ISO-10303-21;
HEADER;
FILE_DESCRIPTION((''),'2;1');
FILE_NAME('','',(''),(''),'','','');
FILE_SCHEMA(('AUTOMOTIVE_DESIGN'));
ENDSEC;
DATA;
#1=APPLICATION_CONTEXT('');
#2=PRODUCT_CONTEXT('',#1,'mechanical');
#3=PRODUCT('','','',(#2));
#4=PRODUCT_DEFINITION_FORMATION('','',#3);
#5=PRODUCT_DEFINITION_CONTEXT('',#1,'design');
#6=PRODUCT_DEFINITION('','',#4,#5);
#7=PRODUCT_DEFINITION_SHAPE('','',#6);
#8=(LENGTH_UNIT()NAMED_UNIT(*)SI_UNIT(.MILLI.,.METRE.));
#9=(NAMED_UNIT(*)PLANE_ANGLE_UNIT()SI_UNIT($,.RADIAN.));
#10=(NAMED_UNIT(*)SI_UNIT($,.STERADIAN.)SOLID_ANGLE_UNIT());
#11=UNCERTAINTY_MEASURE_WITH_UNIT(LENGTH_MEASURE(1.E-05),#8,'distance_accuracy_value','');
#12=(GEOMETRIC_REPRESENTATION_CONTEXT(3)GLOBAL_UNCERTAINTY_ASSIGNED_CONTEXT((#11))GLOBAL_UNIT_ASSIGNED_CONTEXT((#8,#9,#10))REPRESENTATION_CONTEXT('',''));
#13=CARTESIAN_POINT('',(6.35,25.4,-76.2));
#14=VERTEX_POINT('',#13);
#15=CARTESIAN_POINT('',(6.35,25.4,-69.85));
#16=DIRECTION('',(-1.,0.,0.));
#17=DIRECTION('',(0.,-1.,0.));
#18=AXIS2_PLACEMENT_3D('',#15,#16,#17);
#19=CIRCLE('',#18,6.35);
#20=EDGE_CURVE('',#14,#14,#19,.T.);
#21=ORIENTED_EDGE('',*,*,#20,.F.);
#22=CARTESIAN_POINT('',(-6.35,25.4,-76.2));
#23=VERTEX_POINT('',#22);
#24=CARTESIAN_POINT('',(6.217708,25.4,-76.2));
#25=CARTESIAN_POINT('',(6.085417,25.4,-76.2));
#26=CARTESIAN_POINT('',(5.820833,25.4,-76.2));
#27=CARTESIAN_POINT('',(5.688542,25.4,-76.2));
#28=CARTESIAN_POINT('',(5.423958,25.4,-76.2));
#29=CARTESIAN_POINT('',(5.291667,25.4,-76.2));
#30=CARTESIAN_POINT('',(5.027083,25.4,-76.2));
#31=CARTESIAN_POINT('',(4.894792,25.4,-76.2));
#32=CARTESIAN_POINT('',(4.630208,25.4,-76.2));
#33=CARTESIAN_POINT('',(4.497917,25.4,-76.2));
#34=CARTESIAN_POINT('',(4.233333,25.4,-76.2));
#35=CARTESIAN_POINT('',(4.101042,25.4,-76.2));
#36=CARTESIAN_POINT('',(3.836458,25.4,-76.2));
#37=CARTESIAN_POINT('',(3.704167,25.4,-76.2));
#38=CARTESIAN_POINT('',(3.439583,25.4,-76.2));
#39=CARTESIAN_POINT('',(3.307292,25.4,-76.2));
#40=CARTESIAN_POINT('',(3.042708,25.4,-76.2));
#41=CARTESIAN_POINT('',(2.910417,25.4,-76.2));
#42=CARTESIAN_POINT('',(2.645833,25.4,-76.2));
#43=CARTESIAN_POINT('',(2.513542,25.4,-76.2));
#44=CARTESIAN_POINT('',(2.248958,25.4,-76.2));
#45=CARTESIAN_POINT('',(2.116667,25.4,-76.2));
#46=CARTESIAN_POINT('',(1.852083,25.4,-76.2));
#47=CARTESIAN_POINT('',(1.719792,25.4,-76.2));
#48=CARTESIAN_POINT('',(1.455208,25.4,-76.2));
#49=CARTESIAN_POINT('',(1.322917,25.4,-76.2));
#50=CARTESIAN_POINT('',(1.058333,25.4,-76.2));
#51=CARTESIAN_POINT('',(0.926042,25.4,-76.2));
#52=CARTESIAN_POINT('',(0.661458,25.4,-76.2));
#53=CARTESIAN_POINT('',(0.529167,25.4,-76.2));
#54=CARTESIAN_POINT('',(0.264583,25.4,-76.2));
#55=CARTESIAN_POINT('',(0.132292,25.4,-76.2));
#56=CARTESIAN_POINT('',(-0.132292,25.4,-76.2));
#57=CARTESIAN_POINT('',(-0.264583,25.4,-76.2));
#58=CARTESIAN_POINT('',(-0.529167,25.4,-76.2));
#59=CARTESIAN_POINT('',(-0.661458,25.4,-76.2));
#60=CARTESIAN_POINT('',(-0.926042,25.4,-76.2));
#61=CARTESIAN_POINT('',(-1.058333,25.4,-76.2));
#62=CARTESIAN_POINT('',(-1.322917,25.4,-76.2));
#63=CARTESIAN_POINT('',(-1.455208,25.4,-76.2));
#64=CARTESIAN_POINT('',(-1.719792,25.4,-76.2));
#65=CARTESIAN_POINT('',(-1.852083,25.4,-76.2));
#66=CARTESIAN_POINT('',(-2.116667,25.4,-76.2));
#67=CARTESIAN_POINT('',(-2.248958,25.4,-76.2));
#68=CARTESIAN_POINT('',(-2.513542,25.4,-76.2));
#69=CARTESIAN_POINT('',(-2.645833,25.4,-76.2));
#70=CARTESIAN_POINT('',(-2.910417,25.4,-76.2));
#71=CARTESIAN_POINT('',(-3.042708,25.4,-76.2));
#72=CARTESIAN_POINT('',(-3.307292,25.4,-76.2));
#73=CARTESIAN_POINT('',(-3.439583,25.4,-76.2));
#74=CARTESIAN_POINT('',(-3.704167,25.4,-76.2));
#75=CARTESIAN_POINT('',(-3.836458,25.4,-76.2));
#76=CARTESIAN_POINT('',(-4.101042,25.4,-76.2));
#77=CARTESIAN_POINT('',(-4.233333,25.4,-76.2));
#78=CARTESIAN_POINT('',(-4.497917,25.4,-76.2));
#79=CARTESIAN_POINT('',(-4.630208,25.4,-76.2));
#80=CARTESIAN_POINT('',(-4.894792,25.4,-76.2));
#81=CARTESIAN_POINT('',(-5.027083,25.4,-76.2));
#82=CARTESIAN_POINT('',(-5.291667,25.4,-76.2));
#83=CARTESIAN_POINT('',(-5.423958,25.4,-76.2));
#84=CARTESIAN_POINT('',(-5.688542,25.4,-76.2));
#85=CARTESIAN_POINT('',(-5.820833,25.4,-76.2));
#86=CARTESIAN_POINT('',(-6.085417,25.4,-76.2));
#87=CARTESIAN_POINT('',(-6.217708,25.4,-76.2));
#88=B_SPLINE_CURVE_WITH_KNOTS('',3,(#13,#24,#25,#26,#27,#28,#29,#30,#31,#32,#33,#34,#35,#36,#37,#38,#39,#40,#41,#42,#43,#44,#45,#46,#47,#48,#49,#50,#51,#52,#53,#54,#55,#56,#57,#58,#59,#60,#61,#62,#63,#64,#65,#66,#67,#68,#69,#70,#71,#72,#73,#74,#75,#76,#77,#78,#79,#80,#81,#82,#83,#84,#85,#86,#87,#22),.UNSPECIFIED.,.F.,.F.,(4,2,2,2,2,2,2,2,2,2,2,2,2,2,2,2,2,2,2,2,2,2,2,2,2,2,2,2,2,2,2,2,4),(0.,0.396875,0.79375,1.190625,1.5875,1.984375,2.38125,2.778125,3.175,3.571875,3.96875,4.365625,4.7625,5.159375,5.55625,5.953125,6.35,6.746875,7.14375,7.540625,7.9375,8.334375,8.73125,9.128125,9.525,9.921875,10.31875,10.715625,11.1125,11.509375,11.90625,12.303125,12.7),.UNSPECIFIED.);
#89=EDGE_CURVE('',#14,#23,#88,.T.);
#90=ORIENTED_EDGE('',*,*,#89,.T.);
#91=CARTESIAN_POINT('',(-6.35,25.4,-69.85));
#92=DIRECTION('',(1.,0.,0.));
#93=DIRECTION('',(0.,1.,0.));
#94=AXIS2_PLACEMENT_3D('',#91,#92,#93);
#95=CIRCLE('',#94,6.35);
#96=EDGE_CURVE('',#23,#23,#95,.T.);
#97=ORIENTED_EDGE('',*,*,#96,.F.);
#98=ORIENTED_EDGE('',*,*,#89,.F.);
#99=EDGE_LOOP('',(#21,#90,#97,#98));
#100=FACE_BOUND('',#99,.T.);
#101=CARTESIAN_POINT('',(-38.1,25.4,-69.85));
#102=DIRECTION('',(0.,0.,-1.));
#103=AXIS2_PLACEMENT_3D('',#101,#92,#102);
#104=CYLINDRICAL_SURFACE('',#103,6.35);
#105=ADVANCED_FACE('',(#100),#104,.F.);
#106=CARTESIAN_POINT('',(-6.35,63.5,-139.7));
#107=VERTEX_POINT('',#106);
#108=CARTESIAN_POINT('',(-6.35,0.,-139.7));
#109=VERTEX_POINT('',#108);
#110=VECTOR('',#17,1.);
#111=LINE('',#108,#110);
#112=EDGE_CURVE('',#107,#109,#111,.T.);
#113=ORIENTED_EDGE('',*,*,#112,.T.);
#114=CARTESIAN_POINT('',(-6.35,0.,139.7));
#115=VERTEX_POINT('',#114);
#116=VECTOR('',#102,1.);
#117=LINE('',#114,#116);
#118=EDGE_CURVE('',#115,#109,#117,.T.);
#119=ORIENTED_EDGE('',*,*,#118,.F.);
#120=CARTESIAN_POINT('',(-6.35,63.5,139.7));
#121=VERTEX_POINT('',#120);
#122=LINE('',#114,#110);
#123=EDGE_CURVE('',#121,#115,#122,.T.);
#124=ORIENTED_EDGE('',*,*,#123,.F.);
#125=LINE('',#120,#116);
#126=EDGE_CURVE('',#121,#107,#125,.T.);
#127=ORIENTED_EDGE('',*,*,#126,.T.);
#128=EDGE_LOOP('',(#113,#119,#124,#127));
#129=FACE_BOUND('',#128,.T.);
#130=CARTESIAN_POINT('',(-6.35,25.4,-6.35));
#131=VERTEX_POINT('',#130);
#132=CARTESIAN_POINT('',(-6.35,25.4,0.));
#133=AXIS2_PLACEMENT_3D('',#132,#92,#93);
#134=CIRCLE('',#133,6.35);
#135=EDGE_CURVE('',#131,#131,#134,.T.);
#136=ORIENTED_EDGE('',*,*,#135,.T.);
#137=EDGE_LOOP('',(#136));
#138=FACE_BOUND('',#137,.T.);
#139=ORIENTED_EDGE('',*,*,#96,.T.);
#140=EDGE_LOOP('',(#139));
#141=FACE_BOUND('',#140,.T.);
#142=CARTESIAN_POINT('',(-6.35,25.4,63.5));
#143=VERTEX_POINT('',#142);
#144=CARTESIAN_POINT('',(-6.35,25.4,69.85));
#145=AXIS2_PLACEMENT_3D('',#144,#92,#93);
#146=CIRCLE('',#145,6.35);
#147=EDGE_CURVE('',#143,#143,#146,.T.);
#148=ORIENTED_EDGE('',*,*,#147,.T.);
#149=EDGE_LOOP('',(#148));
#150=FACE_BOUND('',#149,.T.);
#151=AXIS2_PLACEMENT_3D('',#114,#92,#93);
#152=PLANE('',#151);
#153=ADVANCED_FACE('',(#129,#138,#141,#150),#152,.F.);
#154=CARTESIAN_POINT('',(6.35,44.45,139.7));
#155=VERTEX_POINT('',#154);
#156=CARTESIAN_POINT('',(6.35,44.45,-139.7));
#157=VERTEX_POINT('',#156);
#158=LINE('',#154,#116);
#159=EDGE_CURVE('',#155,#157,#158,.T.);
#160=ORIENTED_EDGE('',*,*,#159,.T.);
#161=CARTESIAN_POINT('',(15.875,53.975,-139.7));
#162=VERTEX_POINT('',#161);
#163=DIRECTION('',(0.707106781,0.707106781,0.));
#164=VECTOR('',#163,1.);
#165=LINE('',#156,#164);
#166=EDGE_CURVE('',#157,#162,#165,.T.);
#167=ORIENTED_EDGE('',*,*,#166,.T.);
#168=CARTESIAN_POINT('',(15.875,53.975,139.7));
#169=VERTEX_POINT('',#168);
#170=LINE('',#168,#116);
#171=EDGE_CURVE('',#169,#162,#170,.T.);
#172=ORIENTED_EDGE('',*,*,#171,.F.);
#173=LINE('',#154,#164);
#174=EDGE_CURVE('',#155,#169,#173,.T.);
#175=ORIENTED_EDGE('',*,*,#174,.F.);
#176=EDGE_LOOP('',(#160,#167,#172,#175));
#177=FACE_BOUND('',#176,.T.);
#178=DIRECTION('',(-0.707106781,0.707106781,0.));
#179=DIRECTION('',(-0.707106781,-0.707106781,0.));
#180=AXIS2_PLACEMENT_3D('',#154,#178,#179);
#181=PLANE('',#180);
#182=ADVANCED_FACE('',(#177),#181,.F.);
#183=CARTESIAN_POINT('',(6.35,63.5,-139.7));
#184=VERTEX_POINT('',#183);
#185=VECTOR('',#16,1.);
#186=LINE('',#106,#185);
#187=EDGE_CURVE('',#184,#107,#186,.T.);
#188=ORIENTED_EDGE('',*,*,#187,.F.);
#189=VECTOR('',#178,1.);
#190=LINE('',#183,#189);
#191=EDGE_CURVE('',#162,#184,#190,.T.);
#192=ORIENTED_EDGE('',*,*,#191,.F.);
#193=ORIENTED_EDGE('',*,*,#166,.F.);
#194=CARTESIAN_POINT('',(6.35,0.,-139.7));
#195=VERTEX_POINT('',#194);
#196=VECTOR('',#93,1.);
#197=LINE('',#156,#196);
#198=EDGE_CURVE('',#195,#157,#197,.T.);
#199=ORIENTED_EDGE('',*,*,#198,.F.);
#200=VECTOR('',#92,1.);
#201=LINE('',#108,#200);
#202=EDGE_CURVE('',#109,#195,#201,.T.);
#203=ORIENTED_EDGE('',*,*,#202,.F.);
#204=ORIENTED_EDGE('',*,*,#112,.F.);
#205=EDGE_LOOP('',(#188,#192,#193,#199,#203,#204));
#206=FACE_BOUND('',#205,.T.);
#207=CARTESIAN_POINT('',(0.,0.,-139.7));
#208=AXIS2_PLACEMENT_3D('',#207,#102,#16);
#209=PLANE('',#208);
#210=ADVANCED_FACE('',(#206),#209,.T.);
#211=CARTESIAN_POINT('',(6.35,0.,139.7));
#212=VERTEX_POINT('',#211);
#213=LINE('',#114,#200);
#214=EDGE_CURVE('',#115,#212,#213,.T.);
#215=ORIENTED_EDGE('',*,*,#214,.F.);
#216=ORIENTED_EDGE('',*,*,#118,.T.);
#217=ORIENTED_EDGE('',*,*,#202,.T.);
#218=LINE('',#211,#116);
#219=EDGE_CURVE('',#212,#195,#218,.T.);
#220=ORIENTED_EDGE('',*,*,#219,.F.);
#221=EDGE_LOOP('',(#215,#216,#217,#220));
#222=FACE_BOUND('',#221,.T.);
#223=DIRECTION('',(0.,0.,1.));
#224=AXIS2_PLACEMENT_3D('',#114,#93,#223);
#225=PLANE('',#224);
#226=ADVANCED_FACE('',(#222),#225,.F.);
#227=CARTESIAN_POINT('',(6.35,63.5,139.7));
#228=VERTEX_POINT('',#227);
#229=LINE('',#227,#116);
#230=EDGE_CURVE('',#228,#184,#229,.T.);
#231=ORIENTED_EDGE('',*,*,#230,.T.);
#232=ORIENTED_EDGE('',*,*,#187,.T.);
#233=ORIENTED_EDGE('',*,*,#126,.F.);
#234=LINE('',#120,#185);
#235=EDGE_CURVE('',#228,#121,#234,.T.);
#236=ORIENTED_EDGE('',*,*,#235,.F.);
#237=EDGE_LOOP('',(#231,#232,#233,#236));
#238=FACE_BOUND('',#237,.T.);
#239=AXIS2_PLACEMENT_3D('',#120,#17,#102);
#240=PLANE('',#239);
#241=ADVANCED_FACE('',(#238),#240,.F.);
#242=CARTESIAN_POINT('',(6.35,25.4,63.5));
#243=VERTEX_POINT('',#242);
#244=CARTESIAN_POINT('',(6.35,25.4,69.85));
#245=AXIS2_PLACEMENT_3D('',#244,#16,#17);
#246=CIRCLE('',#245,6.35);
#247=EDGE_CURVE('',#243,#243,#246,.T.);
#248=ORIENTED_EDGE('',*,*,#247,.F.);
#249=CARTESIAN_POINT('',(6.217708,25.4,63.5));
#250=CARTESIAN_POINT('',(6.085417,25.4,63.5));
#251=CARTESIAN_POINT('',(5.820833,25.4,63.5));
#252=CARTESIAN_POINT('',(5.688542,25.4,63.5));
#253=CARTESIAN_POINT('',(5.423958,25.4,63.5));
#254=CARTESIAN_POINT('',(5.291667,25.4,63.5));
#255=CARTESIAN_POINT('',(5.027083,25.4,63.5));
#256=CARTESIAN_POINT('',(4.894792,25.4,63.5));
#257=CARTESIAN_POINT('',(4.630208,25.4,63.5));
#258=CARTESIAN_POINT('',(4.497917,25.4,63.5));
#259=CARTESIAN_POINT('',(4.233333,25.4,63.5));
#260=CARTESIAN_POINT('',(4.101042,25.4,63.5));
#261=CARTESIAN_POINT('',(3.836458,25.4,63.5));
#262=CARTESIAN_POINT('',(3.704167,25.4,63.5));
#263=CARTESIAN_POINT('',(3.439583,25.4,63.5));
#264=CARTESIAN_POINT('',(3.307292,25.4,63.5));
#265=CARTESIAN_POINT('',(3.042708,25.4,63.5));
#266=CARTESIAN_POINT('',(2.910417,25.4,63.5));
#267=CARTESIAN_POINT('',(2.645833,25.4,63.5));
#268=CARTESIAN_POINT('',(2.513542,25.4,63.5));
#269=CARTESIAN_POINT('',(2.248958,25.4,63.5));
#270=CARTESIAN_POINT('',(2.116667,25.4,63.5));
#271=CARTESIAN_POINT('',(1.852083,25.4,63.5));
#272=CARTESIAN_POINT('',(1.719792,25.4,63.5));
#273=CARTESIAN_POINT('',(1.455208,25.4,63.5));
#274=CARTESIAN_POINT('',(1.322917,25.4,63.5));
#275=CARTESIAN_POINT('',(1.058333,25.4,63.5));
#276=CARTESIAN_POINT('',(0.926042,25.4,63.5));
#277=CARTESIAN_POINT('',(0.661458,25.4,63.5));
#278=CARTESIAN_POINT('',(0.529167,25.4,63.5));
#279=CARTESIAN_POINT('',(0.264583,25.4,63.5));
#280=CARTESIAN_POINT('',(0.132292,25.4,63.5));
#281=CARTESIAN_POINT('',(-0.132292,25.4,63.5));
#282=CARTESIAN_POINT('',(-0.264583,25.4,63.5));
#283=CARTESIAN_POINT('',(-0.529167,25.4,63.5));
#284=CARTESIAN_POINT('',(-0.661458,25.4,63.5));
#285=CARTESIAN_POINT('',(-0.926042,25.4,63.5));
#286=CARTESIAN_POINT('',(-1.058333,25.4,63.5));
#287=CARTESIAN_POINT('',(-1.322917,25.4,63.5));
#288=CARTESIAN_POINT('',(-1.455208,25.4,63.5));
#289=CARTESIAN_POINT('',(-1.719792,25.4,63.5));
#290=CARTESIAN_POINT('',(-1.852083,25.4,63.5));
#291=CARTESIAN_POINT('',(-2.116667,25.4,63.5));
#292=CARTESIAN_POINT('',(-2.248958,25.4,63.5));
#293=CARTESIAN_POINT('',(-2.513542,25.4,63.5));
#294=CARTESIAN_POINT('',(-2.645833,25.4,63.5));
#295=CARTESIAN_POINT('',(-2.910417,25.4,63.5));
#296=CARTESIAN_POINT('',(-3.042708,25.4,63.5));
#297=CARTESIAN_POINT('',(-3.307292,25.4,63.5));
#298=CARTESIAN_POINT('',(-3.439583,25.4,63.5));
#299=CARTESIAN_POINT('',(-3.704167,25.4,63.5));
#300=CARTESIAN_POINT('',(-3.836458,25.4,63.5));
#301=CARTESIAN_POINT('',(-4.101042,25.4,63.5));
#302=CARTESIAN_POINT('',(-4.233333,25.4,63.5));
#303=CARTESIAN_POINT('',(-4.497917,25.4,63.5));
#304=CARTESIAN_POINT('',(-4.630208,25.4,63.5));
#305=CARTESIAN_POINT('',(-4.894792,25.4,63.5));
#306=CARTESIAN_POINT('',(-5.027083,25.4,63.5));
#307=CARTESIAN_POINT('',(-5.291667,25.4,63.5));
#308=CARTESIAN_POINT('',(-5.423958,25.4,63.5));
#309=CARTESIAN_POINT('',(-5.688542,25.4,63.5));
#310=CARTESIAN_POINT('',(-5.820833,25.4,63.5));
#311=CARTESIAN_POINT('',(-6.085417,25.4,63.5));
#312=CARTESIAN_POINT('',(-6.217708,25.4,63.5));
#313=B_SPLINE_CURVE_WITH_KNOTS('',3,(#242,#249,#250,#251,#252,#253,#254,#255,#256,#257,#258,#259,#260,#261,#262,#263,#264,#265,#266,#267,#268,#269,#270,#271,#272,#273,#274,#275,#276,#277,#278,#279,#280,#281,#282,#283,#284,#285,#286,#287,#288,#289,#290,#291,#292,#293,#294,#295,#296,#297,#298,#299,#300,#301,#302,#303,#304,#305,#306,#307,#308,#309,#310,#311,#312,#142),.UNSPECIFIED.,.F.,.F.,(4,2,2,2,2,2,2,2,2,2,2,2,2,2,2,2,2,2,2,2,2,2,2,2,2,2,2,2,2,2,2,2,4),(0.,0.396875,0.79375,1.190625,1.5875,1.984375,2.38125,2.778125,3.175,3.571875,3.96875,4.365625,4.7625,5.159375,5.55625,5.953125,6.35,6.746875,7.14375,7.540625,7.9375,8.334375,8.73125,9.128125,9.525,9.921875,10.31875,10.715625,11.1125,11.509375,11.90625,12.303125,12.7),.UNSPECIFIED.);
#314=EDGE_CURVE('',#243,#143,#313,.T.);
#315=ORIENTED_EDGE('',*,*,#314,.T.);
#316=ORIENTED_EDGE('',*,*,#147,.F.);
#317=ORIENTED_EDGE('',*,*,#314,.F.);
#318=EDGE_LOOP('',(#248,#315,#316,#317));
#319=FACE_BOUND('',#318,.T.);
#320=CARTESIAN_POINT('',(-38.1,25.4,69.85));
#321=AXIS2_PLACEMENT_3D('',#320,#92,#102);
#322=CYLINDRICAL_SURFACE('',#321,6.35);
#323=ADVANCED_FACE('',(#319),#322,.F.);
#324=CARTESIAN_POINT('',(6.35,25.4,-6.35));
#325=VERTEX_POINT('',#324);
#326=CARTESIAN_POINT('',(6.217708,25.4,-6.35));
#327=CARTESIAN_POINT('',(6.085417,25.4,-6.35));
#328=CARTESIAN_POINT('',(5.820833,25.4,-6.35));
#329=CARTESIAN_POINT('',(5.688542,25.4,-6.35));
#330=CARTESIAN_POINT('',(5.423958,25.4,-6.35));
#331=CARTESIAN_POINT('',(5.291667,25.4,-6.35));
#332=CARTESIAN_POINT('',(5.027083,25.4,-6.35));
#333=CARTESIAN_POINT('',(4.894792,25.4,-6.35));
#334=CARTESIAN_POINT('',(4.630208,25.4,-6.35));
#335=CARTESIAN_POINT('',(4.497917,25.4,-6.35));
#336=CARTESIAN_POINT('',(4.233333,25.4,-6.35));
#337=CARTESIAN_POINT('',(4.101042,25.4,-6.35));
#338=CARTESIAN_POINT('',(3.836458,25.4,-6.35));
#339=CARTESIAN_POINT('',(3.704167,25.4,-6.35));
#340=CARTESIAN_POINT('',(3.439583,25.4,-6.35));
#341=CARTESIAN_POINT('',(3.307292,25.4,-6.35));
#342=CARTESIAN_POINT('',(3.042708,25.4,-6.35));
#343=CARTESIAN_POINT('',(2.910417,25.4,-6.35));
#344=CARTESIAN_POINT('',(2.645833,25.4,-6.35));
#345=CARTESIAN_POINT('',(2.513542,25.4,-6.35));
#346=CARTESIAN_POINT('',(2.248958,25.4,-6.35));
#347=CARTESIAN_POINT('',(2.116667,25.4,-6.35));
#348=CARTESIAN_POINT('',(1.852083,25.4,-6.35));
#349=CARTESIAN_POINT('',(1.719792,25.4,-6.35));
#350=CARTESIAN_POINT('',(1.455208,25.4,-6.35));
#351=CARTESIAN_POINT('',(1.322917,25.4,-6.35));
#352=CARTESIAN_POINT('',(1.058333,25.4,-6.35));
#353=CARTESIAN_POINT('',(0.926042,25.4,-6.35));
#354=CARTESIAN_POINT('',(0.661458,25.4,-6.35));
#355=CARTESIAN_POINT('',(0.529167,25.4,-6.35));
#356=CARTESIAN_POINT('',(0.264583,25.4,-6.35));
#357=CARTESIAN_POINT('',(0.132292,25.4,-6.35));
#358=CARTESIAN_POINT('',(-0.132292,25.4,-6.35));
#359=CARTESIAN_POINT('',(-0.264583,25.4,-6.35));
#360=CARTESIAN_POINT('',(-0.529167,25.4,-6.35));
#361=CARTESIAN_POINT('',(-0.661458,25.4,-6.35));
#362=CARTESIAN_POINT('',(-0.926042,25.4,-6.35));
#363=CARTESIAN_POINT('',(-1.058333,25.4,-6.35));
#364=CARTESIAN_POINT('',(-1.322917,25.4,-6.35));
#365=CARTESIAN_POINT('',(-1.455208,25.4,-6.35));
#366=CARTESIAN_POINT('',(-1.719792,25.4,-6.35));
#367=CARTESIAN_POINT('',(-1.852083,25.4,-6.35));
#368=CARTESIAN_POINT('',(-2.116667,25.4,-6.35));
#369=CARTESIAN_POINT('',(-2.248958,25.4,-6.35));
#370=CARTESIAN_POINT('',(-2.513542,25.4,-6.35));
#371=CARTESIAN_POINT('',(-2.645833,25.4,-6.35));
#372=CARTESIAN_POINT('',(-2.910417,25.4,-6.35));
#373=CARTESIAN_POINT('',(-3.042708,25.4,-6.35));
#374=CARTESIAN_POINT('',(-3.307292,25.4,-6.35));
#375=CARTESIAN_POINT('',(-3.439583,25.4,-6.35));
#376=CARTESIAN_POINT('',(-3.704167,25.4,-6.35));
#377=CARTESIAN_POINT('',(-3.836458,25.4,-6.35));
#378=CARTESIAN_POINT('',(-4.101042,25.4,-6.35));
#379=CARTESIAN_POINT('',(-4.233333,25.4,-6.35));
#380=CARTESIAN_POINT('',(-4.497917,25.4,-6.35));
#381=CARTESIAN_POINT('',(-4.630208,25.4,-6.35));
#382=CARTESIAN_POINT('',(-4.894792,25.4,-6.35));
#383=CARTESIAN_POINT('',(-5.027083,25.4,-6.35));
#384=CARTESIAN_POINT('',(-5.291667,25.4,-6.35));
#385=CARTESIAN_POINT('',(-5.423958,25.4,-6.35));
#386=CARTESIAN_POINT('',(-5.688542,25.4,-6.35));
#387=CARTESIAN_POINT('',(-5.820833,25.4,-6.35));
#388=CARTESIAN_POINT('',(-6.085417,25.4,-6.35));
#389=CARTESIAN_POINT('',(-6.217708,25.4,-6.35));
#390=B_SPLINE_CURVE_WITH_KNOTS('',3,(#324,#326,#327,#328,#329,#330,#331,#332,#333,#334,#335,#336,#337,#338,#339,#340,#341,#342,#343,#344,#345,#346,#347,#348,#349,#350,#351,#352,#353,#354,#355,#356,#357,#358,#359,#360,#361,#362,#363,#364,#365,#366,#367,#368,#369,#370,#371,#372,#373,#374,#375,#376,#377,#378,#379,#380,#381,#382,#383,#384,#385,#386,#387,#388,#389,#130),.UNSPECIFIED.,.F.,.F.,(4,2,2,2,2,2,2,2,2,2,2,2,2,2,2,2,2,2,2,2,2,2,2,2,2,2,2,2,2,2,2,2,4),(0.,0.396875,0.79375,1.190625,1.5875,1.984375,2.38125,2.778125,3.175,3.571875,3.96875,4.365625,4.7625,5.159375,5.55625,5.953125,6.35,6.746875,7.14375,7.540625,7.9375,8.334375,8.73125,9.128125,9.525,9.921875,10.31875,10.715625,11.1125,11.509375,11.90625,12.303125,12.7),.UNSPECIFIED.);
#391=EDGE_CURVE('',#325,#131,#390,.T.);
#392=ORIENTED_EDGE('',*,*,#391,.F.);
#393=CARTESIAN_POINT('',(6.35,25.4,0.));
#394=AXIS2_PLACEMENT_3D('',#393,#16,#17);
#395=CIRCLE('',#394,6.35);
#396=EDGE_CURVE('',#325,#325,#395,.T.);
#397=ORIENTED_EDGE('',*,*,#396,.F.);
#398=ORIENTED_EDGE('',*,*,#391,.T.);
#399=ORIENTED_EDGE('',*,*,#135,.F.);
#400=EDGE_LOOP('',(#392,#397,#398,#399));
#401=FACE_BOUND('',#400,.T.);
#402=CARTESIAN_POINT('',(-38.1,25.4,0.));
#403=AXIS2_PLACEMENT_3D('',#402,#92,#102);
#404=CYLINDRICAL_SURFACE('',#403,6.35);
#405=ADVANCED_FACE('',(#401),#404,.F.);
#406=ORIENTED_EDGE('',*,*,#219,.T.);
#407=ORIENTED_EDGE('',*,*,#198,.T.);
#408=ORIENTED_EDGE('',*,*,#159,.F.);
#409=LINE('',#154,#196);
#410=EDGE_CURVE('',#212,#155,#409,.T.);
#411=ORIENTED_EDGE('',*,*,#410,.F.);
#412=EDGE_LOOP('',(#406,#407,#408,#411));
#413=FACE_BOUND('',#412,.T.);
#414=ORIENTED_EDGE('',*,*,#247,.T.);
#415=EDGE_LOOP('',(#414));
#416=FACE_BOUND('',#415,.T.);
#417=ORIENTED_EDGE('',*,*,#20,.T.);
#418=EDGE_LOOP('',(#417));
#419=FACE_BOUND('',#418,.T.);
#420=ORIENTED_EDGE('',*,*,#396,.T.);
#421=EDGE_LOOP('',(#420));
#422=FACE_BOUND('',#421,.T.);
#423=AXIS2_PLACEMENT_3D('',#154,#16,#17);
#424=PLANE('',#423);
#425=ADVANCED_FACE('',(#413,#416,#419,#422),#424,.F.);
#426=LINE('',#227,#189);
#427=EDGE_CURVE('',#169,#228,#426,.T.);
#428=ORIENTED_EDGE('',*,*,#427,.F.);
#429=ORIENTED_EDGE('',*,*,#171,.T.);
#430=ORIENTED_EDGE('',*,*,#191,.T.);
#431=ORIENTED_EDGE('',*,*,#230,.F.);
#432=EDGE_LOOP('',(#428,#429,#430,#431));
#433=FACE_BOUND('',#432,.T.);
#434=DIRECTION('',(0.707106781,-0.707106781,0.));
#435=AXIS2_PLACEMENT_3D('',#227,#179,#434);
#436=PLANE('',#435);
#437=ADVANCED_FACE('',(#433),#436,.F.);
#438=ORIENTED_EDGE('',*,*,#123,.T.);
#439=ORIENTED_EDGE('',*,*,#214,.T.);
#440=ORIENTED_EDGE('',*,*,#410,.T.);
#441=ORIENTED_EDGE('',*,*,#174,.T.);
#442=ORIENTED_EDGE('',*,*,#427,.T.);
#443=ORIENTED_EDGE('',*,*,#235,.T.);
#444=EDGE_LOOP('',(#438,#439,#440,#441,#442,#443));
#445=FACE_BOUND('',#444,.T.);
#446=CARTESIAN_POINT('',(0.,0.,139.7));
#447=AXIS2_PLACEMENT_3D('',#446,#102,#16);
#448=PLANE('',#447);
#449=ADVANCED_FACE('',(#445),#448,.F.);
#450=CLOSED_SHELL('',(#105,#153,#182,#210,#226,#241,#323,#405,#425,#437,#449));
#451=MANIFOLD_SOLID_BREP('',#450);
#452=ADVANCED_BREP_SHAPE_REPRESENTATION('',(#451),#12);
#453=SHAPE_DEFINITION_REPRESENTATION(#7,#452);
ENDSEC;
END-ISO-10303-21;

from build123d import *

# Parameters (mm, degrees)
BOSS_EXTRUDE1_DEPTH = 139.7
SKETCH2_R           = 6.35
CUT_EXTRUDE1_DEPTH  = 38.1


with BuildPart() as part:
    # Sketch1 → Boss-Extrude1 (new, symmetric)
    with BuildSketch(Plane.XY):
        Polygon((6.35, 63.5), (15.875, 53.975), (6.35, 44.45), (6.35, 0), (-6.35, 0), (-6.35, 63.5), align=None)
    extrude(amount=BOSS_EXTRUDE1_DEPTH, both=True)

    # Sketch2 → Cut-Extrude1 (cut, symmetric)
    with BuildSketch(Plane(origin=(0, 0, 0), x_dir=(0, 0, -1), z_dir=(1, 0, 0))):
        with Locations((-69.85, 25.4)):
            Circle(SKETCH2_R)
        with Locations((0, 25.4)):
            Circle(SKETCH2_R)
        with Locations((69.85, 25.4)):
            Circle(SKETCH2_R)
    extrude(amount=CUT_EXTRUDE1_DEPTH, both=True, mode=Mode.SUBTRACT)


solid = part.part
